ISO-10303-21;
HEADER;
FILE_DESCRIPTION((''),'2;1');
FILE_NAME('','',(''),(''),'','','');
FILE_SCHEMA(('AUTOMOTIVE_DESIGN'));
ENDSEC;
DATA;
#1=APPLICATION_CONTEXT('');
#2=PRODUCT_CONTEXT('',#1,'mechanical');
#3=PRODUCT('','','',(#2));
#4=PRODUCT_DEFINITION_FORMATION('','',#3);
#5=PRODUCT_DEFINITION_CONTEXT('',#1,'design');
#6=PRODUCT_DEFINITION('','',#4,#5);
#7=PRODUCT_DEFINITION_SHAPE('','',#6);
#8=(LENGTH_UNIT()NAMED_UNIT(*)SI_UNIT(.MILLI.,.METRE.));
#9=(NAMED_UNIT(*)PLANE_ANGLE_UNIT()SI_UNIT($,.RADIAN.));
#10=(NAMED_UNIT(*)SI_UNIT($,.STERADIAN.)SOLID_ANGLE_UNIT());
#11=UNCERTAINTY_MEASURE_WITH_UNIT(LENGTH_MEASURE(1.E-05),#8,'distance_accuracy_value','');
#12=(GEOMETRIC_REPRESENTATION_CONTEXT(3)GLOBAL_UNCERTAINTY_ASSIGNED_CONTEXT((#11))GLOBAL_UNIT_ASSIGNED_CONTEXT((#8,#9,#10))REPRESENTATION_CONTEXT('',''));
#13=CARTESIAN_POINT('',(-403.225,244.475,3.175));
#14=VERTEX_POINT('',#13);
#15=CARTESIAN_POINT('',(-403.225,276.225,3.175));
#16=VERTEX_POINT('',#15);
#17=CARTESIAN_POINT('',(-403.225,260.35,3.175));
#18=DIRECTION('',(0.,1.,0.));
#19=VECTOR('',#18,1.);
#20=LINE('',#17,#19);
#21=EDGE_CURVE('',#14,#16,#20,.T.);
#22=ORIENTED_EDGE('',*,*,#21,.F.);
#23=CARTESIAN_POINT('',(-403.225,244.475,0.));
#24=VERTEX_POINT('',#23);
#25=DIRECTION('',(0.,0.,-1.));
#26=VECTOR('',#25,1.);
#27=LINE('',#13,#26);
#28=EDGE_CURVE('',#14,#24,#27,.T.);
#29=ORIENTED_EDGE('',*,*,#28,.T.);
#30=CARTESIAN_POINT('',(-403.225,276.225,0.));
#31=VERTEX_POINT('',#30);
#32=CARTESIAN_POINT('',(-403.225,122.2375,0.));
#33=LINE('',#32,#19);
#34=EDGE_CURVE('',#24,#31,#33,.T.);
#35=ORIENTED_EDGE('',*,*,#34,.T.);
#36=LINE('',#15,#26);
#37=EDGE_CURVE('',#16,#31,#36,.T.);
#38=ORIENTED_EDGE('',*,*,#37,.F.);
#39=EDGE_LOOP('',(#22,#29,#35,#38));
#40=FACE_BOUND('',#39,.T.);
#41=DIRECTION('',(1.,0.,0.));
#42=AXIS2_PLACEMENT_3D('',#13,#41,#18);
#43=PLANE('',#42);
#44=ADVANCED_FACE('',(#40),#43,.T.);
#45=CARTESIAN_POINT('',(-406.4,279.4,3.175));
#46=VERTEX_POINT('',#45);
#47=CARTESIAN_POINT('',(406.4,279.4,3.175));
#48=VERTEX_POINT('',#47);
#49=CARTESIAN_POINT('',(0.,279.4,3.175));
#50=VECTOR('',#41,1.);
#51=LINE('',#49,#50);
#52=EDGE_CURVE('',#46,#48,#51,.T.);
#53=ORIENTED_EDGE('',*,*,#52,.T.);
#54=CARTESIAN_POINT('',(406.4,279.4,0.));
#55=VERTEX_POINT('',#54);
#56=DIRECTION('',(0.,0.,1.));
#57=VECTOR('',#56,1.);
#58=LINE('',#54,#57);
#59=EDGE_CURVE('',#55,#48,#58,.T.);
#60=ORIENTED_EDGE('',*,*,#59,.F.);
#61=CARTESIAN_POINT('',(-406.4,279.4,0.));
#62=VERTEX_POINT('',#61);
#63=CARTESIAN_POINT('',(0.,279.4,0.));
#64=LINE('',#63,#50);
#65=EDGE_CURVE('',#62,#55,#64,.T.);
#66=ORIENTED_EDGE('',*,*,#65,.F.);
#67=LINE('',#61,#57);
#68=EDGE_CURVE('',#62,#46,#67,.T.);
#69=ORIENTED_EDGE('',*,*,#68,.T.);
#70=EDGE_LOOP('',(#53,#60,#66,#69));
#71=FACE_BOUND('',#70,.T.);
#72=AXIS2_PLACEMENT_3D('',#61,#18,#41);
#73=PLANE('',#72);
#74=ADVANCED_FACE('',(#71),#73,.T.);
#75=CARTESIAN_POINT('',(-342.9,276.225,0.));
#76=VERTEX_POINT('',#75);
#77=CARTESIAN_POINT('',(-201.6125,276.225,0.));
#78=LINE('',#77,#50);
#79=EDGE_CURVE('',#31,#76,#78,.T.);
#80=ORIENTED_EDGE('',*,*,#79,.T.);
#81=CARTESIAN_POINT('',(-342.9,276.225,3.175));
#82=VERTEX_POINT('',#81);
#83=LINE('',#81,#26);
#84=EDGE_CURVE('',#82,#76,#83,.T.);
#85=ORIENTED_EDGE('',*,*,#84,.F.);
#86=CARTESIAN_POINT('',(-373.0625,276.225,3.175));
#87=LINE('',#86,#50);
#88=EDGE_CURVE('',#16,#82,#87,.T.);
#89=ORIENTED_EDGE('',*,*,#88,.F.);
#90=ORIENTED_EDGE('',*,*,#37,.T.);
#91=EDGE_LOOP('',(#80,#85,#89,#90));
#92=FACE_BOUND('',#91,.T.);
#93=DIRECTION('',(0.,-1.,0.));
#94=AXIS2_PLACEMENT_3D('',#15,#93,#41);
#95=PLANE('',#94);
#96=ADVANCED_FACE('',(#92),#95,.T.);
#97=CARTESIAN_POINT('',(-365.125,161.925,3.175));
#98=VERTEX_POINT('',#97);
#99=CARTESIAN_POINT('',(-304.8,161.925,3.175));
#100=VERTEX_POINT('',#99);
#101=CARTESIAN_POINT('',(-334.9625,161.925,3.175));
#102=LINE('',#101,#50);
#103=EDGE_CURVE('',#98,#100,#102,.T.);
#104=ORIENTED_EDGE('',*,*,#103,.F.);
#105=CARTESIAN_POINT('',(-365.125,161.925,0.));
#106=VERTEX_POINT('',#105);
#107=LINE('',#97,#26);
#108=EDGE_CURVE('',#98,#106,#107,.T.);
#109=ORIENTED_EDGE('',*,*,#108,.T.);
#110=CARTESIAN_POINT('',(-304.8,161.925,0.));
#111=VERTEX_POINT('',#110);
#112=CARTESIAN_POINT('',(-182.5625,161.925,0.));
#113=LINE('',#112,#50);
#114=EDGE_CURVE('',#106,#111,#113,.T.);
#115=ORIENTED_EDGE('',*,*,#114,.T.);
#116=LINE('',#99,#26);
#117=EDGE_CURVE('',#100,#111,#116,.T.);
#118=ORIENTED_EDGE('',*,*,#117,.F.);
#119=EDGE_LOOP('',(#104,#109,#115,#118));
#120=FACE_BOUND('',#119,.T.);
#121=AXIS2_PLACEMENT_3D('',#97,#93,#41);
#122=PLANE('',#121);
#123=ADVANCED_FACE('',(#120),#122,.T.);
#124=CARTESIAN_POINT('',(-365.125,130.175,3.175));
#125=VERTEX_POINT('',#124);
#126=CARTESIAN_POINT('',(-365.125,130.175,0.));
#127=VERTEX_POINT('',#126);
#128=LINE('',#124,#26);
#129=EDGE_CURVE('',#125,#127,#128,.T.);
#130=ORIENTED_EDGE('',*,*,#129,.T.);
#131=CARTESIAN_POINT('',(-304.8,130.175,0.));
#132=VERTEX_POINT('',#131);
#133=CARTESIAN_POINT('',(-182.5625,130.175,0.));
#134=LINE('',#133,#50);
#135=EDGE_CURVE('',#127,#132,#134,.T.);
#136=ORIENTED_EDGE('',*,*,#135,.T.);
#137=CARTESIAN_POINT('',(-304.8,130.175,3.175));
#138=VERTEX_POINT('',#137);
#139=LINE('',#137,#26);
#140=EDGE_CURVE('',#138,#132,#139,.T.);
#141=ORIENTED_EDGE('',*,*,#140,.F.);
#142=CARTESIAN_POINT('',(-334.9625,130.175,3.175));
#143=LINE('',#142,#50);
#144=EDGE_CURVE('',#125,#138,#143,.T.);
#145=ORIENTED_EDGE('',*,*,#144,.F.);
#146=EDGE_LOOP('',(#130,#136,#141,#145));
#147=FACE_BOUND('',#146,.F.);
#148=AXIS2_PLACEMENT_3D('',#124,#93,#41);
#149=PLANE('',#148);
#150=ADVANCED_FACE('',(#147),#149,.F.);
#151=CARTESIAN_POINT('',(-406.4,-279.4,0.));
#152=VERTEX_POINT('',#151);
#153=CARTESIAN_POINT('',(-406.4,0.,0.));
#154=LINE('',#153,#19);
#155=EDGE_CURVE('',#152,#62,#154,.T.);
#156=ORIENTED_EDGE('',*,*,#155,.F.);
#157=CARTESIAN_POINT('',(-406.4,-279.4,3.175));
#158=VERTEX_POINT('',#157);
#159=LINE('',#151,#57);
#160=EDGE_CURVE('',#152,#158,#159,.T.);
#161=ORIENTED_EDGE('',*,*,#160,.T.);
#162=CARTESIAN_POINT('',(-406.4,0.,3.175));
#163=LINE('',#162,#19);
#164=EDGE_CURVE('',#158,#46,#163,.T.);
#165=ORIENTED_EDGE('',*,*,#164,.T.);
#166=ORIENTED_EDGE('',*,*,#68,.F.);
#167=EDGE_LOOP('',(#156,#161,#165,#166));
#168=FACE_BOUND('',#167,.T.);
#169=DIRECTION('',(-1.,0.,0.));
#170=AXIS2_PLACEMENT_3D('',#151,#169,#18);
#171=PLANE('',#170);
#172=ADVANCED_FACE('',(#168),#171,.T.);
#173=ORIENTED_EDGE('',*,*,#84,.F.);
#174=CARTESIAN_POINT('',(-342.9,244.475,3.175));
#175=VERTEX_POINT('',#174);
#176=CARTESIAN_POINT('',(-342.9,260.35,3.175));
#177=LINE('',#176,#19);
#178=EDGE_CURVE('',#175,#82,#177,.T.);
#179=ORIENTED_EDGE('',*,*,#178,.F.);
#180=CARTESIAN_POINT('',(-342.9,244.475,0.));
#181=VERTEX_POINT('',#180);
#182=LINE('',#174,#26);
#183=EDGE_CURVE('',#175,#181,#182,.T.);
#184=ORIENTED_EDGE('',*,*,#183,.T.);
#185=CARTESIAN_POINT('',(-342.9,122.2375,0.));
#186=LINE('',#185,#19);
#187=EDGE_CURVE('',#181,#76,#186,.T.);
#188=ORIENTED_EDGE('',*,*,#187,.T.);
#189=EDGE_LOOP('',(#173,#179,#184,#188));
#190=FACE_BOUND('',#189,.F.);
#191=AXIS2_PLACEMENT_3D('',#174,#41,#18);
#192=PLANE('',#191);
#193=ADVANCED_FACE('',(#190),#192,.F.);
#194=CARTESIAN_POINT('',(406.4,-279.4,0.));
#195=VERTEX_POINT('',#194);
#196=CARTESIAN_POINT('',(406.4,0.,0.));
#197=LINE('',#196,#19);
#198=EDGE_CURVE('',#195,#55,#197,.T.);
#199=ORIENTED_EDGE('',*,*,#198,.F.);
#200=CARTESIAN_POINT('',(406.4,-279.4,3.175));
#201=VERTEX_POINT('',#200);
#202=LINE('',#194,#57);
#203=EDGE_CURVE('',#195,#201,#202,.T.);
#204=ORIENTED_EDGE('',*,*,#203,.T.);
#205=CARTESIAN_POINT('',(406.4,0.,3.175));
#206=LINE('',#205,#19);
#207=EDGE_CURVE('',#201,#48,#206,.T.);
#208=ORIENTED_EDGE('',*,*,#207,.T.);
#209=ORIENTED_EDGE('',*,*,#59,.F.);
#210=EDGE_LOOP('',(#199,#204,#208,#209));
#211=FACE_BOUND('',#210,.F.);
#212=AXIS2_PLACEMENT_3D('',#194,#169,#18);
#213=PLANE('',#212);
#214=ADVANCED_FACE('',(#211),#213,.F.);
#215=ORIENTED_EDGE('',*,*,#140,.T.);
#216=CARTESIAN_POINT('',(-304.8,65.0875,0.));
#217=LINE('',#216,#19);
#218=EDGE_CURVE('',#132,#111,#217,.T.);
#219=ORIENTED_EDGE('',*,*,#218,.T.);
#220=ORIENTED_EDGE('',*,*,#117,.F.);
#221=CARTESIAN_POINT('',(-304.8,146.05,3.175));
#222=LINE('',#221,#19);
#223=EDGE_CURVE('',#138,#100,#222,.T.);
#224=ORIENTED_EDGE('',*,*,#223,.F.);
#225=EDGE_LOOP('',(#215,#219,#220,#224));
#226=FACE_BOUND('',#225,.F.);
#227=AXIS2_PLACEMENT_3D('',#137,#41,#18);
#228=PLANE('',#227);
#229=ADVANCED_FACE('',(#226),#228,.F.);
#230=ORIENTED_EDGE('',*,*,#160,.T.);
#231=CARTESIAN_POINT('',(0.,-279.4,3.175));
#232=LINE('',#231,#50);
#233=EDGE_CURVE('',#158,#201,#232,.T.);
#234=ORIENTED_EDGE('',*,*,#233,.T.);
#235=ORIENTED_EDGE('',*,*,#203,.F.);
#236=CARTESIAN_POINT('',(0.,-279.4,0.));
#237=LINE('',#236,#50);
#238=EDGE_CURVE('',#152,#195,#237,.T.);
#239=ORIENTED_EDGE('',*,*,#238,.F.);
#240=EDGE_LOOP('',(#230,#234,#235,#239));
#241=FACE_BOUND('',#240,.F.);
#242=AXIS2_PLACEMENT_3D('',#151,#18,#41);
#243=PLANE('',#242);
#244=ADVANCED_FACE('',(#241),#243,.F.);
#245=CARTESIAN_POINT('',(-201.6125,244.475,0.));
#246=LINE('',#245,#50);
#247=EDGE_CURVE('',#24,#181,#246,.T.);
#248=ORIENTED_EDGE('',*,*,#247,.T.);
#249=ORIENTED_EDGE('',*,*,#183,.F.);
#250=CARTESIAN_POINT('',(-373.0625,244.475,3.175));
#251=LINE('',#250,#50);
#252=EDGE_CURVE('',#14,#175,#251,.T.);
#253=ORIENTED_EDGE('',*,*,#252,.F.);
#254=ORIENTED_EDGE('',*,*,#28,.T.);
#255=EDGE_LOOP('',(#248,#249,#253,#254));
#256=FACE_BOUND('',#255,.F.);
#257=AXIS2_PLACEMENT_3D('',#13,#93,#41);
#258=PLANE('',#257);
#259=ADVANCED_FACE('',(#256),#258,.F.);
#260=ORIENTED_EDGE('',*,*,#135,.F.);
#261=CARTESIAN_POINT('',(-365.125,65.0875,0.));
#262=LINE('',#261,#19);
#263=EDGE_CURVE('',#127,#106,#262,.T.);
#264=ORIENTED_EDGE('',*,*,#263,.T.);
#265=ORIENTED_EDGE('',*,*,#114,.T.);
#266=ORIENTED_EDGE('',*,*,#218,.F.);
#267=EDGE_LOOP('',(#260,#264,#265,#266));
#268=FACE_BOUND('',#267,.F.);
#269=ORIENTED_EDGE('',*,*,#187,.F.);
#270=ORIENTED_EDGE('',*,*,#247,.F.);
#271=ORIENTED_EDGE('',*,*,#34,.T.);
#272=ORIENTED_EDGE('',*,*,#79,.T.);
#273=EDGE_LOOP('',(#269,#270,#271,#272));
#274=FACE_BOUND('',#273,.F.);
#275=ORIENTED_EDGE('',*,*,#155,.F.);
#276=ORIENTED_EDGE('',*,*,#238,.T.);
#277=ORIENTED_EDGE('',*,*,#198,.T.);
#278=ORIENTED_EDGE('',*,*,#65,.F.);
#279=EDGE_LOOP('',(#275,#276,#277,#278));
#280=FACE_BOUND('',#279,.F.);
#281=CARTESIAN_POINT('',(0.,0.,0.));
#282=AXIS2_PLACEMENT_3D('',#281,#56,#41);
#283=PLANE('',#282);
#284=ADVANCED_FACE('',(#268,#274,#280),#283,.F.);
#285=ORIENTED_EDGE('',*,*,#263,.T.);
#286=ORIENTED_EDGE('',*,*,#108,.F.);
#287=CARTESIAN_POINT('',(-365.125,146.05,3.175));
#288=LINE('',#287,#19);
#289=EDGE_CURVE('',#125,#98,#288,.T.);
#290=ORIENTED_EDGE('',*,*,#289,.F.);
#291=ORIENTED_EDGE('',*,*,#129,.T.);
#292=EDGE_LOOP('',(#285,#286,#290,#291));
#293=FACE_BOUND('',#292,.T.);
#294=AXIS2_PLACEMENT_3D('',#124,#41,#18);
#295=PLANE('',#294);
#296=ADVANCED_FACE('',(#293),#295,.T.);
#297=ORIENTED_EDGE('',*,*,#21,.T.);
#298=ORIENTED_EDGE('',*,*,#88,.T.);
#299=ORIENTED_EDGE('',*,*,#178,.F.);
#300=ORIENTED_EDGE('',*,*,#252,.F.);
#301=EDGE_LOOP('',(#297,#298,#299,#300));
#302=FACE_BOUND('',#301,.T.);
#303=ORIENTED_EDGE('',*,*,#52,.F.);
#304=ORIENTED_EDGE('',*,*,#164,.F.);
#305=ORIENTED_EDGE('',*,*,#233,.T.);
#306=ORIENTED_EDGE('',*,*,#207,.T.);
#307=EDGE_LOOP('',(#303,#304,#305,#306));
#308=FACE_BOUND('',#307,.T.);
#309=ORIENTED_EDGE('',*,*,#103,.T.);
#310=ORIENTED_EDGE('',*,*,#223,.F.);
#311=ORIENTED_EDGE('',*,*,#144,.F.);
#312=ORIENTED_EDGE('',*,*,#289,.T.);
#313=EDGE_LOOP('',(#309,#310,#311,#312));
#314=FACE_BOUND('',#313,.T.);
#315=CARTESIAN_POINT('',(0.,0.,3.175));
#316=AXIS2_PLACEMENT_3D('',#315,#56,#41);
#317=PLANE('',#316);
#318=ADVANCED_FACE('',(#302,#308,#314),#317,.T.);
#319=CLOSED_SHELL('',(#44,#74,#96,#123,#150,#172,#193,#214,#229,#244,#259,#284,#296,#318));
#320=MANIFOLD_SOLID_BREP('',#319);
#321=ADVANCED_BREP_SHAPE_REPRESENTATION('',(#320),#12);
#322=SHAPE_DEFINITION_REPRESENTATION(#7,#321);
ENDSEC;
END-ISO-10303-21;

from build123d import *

# Parameters (mm, degrees)
F0_W     = 812.8
F0_H     = 558.8
F1_DEPTH = 3.175
F2_W     = 60.325
F2_H     = 31.75
F3_DEPTH = 3.176


with BuildPart() as f1:
    # F0 (on Top) → F1 (new body)
    with BuildSketch(Plane.XY):
        Rectangle(F0_W, F0_H)
    extrude(amount=F1_DEPTH)

    # F2 (on face) → F3 (cut, through all)
    with BuildSketch(Plane.XY.offset(3.175)):
        with Locations((-373.0625, 260.35)):
            Rectangle(F2_W, F2_H)
        with Locations((-334.9625, 146.05)):
            Rectangle(F2_W, F2_H)
    extrude(amount=-F3_DEPTH, mode=Mode.SUBTRACT)


solid = f1.part
